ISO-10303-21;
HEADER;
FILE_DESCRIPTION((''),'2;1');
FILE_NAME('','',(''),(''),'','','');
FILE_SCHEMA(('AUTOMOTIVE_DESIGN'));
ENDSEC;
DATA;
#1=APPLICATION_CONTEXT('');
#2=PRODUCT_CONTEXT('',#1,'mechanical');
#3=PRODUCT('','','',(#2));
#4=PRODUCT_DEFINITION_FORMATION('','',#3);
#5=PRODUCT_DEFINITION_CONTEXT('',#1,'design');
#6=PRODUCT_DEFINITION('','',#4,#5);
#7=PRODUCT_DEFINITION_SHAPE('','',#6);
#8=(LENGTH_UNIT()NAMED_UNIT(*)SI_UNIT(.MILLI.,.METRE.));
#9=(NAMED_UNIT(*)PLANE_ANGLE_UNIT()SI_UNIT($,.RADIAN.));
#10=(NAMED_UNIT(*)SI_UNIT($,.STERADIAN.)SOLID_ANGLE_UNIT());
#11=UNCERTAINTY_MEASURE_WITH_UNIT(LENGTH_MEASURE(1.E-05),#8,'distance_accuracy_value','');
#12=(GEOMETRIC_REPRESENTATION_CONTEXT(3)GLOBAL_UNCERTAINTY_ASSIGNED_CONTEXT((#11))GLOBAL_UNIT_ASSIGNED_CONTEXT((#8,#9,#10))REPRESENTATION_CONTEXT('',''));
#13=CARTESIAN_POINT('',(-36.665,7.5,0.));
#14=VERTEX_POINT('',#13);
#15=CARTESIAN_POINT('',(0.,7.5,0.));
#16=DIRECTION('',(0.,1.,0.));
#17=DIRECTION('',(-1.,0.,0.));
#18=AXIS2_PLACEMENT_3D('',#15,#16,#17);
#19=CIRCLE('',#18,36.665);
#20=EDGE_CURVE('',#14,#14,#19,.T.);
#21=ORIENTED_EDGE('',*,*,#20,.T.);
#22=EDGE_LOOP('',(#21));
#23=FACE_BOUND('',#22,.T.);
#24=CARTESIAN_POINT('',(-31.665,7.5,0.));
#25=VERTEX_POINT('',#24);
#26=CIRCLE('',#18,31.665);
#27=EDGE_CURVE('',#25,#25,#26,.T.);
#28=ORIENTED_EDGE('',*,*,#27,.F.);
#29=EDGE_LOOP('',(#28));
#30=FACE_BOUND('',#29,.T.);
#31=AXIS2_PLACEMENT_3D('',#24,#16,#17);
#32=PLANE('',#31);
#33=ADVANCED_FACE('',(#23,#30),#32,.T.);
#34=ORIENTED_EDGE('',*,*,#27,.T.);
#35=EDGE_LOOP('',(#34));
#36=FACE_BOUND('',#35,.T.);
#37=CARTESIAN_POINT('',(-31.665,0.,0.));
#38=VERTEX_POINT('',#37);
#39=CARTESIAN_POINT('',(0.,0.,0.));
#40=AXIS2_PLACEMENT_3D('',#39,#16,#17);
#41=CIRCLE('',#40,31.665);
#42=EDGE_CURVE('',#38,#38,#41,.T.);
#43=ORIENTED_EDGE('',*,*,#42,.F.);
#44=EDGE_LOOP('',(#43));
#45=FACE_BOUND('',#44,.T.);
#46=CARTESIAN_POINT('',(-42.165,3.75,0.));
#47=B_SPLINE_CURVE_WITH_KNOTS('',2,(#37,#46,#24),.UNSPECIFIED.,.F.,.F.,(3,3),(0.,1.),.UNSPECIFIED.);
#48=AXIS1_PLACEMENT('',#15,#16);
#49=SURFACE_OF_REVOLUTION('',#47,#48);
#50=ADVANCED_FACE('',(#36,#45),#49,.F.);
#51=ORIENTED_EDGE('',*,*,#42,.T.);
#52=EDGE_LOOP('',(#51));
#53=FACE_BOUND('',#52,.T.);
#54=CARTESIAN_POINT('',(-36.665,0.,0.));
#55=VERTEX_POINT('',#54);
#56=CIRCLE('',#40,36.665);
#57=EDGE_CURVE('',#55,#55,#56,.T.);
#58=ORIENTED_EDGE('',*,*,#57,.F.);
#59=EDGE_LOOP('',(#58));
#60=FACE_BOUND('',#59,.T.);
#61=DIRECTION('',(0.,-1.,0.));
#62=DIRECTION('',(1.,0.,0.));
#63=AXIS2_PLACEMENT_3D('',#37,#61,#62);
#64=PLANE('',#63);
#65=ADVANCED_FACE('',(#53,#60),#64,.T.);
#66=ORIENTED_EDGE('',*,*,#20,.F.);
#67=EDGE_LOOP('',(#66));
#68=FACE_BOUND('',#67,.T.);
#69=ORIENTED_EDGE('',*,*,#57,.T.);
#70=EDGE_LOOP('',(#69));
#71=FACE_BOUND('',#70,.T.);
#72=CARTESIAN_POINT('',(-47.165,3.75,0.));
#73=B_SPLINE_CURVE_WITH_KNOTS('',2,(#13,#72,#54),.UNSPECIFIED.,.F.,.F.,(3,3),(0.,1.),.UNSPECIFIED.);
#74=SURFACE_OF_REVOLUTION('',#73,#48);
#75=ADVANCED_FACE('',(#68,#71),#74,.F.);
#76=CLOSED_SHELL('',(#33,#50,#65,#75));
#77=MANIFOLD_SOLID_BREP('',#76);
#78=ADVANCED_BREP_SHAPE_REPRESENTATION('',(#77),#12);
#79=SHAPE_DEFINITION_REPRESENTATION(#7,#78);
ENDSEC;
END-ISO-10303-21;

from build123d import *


with BuildPart() as part:
    # Sketch2 → Revolve1 (revolve)
    with BuildSketch(Plane.XY):
        with BuildLine():
            Line((-31.665, 7.5), (-36.665, 7.5))
            add(Edge.make_bspline(
                [(-36.665, 0), (-47.165, 3.75), (-36.665, 7.5)],
                knots=[0, 0, 0, 1, 1, 1], degree=2))
            Line((-36.665, 0), (-31.665, 0))
            add(Edge.make_bspline(
                [(-31.665, 0), (-42.165, 3.75), (-31.665, 7.5)],
                knots=[0, 0, 0, 1, 1, 1], degree=2))
        make_face()
    revolve(axis=Axis((0, 7.5, 0), (0, -1, 0)))


solid = part.part
